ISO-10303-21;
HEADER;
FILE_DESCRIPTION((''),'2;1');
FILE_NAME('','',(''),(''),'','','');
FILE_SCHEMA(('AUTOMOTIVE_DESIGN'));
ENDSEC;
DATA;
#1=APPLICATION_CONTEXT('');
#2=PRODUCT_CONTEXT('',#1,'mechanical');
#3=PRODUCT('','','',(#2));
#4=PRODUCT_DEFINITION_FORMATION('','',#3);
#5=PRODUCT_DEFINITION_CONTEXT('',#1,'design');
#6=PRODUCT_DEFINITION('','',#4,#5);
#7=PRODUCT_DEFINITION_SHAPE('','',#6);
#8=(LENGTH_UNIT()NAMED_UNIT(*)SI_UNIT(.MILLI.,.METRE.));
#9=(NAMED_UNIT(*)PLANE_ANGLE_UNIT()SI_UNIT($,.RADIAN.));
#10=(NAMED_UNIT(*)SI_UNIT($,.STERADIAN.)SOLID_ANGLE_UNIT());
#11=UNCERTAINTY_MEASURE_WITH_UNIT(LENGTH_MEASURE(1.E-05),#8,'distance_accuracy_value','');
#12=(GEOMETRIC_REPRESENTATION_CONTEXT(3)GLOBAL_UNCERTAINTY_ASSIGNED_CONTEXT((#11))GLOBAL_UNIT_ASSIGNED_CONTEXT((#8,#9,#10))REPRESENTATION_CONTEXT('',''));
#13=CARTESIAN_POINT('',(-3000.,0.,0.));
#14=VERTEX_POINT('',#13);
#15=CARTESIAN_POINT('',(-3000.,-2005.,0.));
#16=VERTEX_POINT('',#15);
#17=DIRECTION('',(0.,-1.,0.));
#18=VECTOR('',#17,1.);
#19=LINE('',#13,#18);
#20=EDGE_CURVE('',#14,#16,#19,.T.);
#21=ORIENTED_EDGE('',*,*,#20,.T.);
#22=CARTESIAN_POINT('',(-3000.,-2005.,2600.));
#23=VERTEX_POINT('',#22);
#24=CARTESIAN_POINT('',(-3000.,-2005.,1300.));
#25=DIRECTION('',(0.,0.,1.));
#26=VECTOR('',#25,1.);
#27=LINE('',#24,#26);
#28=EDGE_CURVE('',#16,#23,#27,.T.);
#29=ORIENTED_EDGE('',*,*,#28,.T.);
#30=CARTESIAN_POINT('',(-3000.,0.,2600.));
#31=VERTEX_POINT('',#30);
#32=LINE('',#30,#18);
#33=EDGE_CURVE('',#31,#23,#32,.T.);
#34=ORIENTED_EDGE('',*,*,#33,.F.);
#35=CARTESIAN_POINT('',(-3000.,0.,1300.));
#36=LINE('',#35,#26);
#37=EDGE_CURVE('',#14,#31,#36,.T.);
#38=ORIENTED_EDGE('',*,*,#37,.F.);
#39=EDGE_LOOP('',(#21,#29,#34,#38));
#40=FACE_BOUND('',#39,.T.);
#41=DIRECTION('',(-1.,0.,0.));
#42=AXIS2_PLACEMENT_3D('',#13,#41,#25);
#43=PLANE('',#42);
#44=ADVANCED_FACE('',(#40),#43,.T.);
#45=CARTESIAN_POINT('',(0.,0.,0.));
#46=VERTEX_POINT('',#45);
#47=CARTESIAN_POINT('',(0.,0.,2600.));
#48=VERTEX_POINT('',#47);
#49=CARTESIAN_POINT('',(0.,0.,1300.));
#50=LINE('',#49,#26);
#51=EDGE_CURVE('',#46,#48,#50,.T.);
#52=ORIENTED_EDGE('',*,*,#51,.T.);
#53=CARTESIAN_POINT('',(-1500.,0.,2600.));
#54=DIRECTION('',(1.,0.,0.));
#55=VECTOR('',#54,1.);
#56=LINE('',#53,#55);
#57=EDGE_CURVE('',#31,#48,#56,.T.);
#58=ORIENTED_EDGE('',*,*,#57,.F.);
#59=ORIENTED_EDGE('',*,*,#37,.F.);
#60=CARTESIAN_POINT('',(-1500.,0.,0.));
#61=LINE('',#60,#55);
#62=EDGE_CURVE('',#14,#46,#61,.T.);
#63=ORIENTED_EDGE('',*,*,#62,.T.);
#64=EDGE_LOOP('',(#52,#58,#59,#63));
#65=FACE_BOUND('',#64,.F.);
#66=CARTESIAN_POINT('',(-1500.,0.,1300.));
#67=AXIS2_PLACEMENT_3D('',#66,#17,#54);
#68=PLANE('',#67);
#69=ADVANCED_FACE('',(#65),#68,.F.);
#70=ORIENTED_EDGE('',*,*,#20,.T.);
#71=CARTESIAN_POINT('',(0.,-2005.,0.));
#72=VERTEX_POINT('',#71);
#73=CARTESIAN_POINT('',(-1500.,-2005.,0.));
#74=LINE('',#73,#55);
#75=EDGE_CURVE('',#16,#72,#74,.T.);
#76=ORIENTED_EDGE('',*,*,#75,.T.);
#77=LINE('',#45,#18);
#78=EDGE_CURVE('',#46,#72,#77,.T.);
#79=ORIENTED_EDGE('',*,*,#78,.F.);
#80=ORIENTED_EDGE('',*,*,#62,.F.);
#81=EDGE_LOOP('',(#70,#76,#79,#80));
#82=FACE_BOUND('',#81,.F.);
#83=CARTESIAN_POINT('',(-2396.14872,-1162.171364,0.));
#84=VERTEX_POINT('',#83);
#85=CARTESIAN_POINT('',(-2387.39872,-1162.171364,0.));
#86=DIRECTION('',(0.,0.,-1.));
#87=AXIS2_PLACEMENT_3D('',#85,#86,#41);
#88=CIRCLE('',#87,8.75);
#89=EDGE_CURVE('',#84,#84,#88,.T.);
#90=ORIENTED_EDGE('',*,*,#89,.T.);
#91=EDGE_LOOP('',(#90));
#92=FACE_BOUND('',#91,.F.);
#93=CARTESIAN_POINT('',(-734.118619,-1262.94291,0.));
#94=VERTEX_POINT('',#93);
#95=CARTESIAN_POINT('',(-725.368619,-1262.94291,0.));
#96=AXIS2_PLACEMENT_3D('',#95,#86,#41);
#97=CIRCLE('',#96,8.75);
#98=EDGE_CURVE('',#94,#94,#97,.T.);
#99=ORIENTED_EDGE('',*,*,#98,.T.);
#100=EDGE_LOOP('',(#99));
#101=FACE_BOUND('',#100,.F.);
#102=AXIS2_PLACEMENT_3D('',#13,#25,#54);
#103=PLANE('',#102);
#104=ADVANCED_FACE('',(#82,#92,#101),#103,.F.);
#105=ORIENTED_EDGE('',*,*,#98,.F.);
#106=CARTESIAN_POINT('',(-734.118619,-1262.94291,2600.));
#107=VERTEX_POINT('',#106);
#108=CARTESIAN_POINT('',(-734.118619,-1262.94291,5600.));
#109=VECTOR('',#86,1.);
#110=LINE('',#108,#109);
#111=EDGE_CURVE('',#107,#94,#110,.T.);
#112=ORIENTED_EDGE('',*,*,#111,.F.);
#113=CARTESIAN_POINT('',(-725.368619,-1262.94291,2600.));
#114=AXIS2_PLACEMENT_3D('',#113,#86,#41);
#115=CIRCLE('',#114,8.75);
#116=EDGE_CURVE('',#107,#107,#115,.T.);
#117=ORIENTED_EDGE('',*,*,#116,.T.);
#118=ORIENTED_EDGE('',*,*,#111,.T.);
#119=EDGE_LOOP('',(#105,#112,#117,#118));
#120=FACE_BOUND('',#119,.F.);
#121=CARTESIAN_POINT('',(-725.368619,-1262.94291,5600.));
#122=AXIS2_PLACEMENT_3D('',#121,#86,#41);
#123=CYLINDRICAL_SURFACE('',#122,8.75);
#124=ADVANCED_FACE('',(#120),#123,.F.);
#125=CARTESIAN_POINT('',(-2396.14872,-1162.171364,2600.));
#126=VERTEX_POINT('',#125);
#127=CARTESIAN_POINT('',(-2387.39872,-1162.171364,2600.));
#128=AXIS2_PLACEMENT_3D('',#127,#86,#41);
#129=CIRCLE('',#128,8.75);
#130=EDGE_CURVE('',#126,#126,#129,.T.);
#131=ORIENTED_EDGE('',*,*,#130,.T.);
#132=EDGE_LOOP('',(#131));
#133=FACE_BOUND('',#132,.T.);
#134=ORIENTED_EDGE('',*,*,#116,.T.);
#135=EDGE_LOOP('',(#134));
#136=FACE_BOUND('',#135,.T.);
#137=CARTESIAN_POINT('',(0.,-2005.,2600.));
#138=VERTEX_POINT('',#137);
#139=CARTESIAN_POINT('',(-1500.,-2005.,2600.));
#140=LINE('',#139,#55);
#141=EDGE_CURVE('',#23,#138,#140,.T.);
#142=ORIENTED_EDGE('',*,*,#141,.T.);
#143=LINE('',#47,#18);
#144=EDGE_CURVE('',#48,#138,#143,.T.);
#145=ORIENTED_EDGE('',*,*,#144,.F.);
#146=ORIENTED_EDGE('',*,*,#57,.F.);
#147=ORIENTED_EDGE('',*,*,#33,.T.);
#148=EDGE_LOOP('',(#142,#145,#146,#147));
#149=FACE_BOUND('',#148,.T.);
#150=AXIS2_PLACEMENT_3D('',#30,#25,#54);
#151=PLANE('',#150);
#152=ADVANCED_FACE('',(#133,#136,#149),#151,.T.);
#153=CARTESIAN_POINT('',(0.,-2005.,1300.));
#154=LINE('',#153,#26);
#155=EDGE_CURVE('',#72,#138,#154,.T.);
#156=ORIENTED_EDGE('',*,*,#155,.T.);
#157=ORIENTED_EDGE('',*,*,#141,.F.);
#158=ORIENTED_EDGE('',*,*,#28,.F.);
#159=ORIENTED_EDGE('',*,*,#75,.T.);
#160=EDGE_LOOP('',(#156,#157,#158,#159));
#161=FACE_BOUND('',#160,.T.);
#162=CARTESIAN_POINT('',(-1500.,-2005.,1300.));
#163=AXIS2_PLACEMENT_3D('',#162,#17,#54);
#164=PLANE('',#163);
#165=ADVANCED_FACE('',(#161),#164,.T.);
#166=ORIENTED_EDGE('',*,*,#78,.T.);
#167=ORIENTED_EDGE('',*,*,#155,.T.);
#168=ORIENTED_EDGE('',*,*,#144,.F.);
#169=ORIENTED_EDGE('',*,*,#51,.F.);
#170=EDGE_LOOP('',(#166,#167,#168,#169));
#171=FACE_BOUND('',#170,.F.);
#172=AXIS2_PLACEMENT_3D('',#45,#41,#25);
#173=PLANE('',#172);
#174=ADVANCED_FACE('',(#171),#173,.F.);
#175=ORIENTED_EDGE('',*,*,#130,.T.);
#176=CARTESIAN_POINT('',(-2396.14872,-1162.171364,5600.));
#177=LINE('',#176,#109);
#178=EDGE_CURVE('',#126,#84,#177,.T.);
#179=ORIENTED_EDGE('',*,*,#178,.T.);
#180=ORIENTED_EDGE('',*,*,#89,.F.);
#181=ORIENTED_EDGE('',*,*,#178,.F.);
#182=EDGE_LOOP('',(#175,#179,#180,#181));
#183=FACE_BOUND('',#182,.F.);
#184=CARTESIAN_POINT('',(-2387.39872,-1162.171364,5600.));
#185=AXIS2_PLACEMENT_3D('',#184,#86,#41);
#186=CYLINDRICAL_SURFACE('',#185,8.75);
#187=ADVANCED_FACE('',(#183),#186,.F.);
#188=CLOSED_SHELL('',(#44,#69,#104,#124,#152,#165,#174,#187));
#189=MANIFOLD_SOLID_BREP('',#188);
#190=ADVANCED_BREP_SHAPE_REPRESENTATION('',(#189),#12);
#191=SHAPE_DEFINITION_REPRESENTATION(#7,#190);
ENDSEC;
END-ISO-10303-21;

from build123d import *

# Parameters (mm, degrees)
F0_W     = 3000
F0_H     = 2600
F1_DEPTH = 2005
F3_D     = 17.5
F3_DEPTH = 3000
F3_TIP   = 5.2575304165


with BuildPart() as f1:
    # F0 (on Front) → F1 (new body)
    with BuildSketch(Plane.XZ):
        with Locations((-1500, 1300)):
            Rectangle(F0_W, F0_H)
    extrude(amount=F1_DEPTH)

    # F3
    with Locations(Plane.XY.offset(2600)):
        with Locations((-2387.3987197876, -1162.1713638306), (-725.3686189651, -1262.9429101944)):
            Hole(F3_D / 2, depth=F3_DEPTH)
            with Locations((0, 0, -(F3_DEPTH + F3_TIP / 2))):  # 118° drill point
                Cone(0, F3_D / 2, F3_TIP, mode=Mode.SUBTRACT)


solid = f1.part
